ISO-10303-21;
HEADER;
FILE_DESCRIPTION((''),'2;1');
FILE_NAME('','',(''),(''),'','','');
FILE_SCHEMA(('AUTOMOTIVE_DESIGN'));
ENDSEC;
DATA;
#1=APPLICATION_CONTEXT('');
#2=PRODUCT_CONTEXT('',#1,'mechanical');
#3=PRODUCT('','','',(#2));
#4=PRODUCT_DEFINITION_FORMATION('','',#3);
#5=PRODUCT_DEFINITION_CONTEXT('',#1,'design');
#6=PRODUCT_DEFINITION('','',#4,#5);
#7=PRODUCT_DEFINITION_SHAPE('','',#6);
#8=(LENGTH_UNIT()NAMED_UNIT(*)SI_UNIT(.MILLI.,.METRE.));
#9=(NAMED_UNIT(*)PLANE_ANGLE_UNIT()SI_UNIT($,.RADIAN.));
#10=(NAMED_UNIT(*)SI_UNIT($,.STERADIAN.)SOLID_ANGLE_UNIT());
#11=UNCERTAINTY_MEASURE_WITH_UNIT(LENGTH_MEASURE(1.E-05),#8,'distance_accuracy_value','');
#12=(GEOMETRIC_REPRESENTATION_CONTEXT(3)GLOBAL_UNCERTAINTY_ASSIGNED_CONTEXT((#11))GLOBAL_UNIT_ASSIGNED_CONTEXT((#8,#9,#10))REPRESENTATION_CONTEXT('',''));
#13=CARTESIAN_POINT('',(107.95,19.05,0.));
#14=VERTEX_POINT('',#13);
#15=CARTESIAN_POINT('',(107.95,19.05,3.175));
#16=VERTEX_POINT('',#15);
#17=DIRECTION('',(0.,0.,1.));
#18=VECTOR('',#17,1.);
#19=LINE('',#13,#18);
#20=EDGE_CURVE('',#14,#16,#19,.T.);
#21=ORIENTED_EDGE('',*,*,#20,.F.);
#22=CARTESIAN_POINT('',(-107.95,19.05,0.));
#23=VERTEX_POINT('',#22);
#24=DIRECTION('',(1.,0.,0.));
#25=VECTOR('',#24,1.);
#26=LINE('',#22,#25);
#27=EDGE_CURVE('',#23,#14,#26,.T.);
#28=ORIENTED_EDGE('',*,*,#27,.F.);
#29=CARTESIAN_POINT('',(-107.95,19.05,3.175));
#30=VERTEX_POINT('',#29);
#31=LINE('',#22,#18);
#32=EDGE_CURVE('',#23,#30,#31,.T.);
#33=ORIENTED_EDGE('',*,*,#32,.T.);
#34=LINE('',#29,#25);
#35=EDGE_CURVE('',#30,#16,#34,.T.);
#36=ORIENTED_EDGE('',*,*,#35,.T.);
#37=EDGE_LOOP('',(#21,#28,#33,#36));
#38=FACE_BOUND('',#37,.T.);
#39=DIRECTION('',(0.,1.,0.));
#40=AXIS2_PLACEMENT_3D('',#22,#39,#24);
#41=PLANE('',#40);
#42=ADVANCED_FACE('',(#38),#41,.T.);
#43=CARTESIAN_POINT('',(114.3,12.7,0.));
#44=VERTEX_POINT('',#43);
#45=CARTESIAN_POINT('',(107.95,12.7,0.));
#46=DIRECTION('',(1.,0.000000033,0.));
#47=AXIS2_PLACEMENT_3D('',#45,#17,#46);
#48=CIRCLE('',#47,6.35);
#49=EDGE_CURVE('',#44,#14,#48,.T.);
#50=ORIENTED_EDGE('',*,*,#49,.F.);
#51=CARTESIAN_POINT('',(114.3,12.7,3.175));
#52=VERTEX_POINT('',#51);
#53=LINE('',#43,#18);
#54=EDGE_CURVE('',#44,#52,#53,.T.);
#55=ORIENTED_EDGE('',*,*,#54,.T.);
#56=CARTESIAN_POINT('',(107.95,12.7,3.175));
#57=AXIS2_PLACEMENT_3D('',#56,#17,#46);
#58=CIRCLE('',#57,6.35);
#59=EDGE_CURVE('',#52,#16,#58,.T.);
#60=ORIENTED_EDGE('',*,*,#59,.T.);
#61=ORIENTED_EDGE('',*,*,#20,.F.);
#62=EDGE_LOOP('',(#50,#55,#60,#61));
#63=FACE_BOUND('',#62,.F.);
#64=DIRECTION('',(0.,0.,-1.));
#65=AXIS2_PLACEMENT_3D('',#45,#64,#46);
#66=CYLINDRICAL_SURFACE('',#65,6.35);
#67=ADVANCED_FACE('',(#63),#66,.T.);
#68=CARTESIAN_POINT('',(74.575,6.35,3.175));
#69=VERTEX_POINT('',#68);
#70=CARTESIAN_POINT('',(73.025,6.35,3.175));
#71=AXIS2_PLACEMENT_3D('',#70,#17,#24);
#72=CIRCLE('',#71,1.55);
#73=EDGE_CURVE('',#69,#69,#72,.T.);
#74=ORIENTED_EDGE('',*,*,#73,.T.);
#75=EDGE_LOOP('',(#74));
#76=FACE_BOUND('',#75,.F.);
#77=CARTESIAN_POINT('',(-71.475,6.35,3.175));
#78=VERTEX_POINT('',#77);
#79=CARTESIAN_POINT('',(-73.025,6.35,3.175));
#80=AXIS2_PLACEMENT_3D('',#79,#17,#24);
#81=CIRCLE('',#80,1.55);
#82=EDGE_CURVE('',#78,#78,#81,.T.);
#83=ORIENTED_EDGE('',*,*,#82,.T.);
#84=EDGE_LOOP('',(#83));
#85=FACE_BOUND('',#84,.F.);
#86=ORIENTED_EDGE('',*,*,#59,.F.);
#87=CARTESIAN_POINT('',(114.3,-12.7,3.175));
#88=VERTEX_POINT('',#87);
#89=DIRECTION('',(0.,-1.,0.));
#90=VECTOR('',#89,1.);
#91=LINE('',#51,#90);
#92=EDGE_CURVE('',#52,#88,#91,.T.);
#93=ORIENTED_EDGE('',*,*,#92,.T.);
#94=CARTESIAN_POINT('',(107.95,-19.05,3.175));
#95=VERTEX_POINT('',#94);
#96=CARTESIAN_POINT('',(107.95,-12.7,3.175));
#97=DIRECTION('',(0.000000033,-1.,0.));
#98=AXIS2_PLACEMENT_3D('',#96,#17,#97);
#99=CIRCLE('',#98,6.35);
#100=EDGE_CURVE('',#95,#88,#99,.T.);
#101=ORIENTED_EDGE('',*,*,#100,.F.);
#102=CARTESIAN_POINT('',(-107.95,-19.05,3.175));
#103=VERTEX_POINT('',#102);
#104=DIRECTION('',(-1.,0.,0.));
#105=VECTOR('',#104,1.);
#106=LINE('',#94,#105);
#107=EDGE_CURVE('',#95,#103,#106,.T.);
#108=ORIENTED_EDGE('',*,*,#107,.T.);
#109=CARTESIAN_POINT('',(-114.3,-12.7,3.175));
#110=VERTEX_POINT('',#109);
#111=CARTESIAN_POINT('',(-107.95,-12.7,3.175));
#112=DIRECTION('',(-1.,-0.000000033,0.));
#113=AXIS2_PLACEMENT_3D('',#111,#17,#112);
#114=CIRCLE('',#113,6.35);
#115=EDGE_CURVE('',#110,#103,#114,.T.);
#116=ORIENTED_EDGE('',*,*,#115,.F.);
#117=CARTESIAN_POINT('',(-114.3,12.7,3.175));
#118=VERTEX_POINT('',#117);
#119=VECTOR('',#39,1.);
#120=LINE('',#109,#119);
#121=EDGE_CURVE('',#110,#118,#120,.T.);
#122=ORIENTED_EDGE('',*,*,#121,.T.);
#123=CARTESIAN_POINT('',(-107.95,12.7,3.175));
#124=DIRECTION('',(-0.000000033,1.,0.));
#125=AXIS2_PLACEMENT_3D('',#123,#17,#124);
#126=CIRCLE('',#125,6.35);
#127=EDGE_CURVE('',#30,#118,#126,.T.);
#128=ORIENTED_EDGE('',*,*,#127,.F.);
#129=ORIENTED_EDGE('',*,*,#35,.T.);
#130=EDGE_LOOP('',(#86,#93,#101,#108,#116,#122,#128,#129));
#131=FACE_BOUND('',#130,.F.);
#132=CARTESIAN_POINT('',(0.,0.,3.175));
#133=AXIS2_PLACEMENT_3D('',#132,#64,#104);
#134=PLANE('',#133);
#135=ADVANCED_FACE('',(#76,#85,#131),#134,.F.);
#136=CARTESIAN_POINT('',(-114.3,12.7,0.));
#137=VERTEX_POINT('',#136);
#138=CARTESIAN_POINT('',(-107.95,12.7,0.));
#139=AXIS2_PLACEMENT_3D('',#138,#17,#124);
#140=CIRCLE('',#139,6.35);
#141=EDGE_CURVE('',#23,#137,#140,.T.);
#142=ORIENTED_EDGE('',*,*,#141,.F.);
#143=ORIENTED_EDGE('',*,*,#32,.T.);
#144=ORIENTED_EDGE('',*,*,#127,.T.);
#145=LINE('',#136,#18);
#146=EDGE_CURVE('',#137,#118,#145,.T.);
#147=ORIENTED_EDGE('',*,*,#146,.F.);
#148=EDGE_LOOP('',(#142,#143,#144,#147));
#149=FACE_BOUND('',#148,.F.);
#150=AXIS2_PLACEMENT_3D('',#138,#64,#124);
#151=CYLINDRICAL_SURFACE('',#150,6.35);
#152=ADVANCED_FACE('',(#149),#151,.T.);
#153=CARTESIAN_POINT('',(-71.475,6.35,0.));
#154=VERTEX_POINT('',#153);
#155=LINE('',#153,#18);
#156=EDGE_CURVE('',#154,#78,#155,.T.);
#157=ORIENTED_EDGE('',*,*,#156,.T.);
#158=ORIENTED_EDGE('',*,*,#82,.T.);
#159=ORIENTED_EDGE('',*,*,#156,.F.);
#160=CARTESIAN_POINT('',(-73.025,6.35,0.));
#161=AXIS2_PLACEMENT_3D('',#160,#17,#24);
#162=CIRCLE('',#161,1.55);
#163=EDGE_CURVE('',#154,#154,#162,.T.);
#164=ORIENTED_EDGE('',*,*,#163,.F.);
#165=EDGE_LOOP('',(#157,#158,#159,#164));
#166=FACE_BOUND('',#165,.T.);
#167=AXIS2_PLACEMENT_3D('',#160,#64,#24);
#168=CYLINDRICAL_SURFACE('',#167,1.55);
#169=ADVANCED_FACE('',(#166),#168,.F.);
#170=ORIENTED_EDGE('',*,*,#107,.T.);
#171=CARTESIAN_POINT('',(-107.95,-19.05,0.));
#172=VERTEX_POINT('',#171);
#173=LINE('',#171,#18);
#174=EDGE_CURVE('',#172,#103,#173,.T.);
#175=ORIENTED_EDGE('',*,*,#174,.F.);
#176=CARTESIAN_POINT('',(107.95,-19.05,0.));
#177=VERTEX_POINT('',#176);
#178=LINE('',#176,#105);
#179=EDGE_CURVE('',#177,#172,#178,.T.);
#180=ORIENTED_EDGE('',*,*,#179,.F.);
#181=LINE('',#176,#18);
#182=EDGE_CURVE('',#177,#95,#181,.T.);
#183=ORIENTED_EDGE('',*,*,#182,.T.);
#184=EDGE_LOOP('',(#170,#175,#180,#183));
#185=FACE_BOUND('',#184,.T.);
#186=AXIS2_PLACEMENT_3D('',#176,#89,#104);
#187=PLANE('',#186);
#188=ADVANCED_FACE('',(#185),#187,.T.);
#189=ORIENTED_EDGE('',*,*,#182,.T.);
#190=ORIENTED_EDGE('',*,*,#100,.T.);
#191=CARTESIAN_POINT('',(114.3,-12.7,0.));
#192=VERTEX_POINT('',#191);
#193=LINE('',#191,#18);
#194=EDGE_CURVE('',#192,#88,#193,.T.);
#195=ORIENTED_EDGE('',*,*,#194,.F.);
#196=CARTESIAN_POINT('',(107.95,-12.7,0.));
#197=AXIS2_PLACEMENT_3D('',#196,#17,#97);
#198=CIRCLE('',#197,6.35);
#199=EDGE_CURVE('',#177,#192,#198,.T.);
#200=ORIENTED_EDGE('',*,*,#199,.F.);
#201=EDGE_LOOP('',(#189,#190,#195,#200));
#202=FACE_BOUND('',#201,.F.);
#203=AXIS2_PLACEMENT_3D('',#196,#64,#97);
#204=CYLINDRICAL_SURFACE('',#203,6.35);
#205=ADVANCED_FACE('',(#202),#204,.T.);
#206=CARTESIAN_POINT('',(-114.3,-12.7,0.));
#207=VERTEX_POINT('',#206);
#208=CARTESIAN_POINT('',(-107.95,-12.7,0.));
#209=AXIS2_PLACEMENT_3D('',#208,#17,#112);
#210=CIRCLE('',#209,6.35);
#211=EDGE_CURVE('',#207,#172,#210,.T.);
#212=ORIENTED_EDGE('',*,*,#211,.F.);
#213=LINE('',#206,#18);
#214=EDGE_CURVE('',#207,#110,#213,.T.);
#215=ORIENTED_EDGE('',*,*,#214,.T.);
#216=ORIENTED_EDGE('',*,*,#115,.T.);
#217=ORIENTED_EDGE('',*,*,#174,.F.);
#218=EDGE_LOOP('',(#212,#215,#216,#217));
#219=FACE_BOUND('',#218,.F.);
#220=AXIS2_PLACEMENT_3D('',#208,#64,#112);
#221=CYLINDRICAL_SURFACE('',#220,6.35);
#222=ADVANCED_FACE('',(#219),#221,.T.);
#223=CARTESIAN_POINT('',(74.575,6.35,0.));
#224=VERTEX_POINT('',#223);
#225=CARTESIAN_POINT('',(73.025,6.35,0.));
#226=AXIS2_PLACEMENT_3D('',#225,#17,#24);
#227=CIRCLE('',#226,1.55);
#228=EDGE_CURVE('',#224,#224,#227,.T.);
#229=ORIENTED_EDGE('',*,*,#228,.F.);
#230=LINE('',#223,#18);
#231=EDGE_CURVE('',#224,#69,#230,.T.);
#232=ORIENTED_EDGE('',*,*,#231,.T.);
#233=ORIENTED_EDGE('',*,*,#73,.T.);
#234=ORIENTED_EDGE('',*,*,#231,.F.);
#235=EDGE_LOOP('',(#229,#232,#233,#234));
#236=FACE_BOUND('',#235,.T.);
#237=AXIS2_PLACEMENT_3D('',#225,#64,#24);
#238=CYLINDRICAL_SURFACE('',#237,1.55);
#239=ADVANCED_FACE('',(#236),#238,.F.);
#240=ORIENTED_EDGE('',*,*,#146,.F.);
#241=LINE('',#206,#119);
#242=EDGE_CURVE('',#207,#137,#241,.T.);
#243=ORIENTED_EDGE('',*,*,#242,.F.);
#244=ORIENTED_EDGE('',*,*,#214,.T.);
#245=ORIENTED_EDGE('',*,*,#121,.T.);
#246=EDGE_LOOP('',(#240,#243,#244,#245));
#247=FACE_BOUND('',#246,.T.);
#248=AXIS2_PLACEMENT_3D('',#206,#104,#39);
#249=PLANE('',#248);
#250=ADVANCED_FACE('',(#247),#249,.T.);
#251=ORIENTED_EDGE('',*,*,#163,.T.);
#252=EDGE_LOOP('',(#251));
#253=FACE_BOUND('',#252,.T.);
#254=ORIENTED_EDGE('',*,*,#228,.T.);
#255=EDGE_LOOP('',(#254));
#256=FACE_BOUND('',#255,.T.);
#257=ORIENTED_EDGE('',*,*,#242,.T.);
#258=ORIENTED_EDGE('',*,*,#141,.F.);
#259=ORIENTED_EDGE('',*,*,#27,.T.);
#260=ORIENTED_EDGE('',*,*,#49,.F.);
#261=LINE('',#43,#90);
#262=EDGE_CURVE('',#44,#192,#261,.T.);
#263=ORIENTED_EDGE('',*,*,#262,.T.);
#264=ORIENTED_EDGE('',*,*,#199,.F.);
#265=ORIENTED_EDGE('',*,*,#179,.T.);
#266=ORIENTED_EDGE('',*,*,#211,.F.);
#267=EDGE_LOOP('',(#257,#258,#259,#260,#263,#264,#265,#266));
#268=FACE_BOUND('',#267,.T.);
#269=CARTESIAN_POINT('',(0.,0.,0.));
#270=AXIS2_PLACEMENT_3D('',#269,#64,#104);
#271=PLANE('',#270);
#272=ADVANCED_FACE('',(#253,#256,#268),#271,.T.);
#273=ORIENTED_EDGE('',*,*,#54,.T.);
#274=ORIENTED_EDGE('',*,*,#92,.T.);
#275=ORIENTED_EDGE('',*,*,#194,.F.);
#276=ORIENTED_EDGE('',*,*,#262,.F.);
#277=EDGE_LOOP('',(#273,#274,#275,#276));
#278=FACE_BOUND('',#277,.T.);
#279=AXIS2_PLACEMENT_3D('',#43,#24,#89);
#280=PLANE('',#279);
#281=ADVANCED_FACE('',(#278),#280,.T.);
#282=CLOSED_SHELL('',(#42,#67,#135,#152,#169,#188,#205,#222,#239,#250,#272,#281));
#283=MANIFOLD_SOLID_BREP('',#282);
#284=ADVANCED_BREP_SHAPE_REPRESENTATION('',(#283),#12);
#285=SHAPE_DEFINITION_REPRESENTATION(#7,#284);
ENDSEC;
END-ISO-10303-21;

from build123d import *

# Parameters (mm, degrees)
SKETCH_R  = 1.55
PAD_DEPTH = 3.175


with BuildPart() as part:
    # Sketch → Pad (new body)
    with BuildSketch(Plane.XY):
        with BuildLine():
            Line((-107.95, 19.05), (107.95, 19.05))
            ThreePointArc((114.3, 12.7), (112.440128, 17.190128), (107.95, 19.05))
            Line((114.3, 12.7), (114.3, -12.7))
            ThreePointArc((107.95, -19.05), (112.440128, -17.190128), (114.3, -12.7))
            Line((107.95, -19.05), (-107.95, -19.05))
            ThreePointArc((-114.3, -12.7), (-112.440128, -17.190128), (-107.95, -19.05))
            Line((-114.3, -12.7), (-114.3, 12.7))
            ThreePointArc((-107.95, 19.05), (-112.440128, 17.190128), (-114.3, 12.7))
        make_face()
        with Locations((-73.025, 6.35)):
            Circle(SKETCH_R, mode=Mode.SUBTRACT)
        with Locations((73.025, 6.35)):
            Circle(SKETCH_R, mode=Mode.SUBTRACT)
    extrude(amount=PAD_DEPTH)


solid = part.part
